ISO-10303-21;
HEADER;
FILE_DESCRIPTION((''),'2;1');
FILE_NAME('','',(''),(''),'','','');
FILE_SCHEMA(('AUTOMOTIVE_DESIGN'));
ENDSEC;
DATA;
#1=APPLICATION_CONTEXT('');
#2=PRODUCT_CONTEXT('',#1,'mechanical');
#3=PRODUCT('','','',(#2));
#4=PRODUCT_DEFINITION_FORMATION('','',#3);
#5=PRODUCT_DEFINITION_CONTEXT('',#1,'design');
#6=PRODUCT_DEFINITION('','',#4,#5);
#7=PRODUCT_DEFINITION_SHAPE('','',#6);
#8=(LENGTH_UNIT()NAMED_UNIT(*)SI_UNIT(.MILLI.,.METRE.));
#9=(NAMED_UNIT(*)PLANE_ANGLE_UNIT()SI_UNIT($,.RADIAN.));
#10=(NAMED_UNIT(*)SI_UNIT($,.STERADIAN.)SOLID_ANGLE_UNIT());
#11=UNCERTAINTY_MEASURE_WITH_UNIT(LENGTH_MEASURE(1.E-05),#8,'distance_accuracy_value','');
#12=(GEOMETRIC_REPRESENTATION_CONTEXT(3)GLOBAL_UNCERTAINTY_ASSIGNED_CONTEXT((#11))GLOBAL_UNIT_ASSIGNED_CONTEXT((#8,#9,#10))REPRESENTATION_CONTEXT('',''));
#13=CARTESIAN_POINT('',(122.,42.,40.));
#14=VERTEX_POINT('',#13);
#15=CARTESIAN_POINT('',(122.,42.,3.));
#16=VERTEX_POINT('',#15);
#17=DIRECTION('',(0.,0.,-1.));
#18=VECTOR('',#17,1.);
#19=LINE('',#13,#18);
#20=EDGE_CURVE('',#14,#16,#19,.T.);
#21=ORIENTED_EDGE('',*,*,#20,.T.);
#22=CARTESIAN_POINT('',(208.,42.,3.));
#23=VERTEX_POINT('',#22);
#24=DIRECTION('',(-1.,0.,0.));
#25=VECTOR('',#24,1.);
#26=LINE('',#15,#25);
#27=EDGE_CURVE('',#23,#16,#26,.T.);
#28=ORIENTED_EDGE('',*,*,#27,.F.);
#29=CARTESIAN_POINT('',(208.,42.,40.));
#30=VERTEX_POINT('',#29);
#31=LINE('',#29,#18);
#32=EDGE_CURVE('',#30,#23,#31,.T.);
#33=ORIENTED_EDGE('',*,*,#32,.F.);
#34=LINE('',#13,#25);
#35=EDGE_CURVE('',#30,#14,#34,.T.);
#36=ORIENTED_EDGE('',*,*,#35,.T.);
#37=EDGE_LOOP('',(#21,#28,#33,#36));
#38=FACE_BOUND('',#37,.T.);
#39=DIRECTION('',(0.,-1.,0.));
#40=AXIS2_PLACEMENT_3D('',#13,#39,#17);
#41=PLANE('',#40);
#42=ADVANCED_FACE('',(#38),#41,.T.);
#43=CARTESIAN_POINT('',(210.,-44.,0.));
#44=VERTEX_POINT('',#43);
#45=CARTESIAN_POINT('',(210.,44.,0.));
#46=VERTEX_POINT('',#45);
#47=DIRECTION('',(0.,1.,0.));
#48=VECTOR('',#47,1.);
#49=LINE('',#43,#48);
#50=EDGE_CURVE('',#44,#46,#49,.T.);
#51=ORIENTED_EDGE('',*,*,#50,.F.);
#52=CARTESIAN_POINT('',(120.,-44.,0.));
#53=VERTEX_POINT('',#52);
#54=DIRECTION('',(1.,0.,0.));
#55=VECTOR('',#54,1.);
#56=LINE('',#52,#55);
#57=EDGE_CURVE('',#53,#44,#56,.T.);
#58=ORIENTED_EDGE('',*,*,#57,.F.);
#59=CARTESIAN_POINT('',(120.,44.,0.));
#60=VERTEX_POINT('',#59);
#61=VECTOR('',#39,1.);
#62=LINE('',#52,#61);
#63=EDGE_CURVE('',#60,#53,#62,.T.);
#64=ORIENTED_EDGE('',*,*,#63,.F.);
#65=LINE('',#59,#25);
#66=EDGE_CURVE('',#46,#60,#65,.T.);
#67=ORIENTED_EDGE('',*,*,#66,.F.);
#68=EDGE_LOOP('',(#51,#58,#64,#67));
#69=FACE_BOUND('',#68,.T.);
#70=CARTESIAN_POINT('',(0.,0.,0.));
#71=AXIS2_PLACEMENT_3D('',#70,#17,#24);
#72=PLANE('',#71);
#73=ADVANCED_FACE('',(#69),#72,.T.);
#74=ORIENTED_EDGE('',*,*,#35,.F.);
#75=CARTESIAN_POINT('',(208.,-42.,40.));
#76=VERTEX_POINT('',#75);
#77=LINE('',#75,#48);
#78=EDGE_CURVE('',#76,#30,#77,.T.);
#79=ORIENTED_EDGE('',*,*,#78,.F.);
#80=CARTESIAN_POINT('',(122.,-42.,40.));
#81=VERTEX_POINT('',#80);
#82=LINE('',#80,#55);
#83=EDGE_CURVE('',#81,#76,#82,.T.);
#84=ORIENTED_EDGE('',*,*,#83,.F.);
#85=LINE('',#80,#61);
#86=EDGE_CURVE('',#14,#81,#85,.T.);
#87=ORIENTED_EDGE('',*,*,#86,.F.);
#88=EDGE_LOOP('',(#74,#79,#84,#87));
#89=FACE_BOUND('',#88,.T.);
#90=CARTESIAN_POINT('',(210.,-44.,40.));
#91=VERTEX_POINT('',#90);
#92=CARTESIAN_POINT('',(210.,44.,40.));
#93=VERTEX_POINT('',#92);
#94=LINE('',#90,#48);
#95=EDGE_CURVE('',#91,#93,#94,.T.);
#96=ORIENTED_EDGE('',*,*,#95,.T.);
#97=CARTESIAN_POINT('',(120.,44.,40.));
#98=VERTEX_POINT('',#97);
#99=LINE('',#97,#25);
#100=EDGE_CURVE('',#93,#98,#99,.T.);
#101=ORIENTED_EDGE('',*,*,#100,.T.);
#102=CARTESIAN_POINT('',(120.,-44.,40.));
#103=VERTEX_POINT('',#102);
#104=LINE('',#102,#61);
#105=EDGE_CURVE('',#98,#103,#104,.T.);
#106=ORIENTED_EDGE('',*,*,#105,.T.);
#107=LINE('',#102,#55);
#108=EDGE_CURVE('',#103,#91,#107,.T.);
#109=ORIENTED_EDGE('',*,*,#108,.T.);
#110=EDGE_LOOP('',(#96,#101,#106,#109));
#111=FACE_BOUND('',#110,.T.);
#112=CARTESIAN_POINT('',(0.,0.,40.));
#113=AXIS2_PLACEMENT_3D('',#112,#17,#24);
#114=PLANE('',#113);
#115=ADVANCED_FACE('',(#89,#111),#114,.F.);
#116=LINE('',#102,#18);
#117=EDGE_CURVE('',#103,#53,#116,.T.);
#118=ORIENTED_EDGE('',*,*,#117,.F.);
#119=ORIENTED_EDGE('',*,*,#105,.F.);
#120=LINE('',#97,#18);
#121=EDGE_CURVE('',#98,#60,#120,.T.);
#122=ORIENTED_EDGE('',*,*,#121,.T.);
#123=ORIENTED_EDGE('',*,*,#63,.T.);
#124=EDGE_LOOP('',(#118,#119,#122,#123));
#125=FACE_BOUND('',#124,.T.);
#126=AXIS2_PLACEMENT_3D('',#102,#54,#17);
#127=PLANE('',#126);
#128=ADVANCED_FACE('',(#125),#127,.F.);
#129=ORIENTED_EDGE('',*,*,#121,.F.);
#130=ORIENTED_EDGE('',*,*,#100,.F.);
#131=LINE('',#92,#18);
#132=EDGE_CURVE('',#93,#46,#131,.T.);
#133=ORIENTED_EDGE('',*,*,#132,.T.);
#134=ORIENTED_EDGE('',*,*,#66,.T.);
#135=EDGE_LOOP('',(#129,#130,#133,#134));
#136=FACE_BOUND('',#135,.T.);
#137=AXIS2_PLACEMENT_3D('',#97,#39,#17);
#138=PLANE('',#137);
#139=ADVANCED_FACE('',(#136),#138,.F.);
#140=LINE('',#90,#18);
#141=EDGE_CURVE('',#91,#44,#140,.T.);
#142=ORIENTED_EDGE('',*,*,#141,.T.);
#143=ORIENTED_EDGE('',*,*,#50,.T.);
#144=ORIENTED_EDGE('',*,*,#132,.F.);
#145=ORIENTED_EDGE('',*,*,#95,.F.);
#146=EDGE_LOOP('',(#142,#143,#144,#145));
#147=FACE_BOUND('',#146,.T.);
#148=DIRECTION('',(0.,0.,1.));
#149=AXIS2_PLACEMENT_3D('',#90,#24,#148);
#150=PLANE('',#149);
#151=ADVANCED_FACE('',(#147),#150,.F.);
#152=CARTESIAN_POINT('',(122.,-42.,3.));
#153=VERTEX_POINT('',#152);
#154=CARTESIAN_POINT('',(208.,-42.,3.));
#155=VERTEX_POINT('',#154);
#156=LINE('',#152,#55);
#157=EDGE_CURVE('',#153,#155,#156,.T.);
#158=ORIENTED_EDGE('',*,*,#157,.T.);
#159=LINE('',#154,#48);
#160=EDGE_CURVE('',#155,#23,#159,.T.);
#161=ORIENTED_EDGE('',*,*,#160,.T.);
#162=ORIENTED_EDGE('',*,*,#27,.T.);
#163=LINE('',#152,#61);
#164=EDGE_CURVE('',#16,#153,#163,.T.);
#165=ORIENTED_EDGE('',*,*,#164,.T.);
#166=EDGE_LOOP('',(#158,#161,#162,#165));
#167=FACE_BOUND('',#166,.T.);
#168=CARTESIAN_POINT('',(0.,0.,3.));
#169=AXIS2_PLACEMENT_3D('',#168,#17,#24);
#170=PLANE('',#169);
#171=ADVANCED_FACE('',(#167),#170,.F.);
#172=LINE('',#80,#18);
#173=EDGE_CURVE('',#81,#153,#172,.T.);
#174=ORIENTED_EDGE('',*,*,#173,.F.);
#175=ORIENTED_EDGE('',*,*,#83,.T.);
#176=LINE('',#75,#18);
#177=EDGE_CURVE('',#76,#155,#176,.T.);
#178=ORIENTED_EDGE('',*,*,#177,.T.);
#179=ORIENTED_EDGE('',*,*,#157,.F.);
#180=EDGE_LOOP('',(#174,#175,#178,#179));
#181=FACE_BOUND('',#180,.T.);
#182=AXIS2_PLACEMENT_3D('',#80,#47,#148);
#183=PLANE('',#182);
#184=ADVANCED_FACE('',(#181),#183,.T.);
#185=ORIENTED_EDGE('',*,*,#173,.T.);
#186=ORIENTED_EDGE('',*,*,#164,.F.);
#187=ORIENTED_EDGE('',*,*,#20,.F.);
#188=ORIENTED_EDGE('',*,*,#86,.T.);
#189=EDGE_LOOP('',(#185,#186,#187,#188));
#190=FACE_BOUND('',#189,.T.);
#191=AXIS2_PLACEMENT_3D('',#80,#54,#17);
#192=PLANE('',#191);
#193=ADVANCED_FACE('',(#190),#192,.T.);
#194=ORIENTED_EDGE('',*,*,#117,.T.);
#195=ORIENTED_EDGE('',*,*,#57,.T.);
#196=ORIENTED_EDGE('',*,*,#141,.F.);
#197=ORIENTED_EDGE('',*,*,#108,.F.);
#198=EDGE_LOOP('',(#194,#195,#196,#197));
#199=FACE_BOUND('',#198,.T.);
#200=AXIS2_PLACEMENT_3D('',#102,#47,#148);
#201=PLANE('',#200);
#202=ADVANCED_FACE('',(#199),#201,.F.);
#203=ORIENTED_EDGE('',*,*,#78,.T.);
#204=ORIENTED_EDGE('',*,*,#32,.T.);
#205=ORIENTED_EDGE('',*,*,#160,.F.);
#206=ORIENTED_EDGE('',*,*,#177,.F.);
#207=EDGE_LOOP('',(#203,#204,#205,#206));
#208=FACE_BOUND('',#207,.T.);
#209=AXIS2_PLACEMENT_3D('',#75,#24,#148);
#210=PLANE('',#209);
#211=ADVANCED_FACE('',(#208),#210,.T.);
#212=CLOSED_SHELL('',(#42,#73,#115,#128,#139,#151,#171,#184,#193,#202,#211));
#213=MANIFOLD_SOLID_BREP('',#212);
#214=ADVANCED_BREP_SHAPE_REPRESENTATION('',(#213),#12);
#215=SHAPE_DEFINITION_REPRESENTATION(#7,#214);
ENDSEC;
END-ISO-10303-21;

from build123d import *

# Parameters (mm, degrees)
SKETCH_1_W       = 90
SKETCH_1_H       = 88
TRAY_DEPTH       = 40
TRAYCAVITY_START = 3
SKETCH_2_W       = 86
SKETCH_2_H       = 84
TRAYCAVITY_DEPTH = 37


with BuildPart() as part:
    # 草图1 → Tray (new body)
    with BuildSketch(Plane.XY):
        with Locations((165, 0)):
            Rectangle(SKETCH_1_W, SKETCH_1_H)
    extrude(amount=TRAY_DEPTH)

    # 草图2 → TrayCavity (cut)
    with BuildSketch(Plane.XY.offset(TRAYCAVITY_START)):
        with Locations((165, 0)):
            Rectangle(SKETCH_2_W, SKETCH_2_H)
    extrude(amount=TRAYCAVITY_DEPTH, mode=Mode.SUBTRACT)


solid = part.part
